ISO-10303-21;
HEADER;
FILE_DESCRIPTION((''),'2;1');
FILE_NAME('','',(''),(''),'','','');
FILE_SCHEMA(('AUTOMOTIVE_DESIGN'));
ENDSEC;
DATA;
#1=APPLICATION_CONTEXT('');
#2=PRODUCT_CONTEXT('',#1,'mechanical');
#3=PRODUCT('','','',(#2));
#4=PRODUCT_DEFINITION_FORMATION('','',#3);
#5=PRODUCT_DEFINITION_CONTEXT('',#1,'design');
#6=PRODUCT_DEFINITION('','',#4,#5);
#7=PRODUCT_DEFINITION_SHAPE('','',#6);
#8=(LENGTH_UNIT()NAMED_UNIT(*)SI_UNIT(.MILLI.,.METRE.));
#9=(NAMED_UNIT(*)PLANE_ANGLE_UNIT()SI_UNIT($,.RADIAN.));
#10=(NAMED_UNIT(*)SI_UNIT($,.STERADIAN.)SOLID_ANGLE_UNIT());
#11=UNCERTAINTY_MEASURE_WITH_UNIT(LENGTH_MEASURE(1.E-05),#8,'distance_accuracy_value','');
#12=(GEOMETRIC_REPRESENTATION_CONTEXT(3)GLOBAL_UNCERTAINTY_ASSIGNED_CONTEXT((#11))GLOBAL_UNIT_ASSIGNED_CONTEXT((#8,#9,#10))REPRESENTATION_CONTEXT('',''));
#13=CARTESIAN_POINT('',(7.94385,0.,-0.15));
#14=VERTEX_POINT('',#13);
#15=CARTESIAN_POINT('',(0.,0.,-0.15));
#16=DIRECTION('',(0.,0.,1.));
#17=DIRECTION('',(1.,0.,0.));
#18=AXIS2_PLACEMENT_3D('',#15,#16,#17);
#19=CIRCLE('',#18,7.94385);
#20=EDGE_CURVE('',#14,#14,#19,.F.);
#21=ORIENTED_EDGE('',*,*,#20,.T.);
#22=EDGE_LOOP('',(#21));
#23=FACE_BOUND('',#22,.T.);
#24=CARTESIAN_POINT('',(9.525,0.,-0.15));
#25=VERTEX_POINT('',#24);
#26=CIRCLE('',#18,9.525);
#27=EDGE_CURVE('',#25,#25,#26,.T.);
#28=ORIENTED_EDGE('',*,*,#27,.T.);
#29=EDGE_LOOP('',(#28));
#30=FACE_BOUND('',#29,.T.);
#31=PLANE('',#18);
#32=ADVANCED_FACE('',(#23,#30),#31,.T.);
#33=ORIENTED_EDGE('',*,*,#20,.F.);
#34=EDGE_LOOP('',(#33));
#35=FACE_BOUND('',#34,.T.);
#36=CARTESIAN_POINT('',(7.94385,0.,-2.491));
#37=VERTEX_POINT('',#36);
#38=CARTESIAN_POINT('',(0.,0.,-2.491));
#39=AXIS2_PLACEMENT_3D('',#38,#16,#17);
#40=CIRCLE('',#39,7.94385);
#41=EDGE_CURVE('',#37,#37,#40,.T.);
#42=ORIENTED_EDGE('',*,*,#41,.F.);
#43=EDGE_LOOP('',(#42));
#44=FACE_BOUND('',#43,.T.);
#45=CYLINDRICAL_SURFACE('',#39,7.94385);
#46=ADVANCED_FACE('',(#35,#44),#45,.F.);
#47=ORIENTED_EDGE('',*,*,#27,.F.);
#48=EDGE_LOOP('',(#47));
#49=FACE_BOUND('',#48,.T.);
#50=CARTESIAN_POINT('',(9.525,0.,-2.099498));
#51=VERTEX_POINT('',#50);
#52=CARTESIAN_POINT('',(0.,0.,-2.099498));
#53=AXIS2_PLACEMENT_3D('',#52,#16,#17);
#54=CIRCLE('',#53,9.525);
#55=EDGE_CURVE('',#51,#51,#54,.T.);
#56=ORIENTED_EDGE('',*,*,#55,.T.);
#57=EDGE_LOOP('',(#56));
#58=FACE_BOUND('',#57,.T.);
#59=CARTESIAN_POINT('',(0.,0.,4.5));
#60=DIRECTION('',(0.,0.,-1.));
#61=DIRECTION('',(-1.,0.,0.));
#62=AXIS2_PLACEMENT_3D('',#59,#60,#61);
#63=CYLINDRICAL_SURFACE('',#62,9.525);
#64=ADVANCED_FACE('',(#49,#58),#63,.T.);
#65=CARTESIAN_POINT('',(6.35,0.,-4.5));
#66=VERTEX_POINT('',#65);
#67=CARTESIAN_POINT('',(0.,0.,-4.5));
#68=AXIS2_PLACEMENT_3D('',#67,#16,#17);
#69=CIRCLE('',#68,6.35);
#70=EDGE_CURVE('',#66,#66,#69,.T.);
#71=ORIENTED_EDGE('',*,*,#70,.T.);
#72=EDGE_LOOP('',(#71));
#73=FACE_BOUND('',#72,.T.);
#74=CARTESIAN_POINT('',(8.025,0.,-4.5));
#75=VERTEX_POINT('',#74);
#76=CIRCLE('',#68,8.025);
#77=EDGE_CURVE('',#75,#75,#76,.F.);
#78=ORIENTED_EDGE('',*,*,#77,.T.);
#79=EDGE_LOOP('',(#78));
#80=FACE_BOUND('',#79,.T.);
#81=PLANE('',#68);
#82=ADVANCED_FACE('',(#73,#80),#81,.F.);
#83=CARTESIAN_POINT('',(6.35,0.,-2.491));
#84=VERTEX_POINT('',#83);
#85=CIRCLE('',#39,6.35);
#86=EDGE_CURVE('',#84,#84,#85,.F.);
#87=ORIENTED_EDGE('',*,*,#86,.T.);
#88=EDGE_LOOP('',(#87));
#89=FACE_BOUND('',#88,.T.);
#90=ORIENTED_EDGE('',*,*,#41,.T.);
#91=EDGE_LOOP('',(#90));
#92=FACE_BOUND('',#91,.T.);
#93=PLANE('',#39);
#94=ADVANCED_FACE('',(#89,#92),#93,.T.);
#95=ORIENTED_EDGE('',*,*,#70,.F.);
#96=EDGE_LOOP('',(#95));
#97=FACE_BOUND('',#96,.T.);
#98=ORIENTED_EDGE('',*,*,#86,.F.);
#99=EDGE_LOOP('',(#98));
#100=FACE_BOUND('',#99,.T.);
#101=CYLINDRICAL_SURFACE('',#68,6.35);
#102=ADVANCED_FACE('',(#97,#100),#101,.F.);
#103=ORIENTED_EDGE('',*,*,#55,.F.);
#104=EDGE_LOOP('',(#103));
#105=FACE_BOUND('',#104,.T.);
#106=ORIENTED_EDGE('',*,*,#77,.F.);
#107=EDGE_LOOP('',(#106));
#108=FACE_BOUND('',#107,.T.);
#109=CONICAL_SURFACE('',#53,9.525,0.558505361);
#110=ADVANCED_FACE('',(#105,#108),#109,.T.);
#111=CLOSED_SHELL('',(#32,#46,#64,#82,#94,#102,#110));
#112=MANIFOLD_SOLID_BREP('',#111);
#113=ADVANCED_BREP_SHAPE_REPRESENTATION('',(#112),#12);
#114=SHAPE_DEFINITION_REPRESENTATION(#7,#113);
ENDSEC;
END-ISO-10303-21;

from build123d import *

# Parameters (mm, degrees)
SKETCH1_R             = 9.525
BOSS_EXTRUDE1_DEPTH   = 4.5
SKETCH2_R             = 6.35
CUT_EXTRUDE1_DEPTH    = 10
CHAMFER1_SIZE         = 1.5
CHAMFER1_SIZE2        = 2.400501794
CHAMFER1_PART_2_SIZE  = 1.5
CHAMFER1_PART_2_SIZE2 = 2.400501794
SKETCH3_R             = 7.874
CUT_EXTRUDE2_DEPTH    = 2.011
SKETCH4_R             = 7.94385
CUT_EXTRUDE3_DEPTH    = 4.98
SKETCH5_R             = 24.237402282
CUT_EXTRUDE4_DEPTH    = 5.5
SKETCH6_R             = 11.614236141
CUT_EXTRUDE5_DEPTH    = 0.15


with BuildPart() as part:
    # Sketch1 → Boss-Extrude1 (new body, symmetric)
    with BuildSketch(Plane.XY):
        Circle(SKETCH1_R)
    extrude(amount=BOSS_EXTRUDE1_DEPTH, both=True)

    # Sketch2 → Cut-Extrude1 (cut, through all)
    with BuildSketch(Plane.XY.offset(4.5)):
        Circle(SKETCH2_R)
    extrude(amount=-CUT_EXTRUDE1_DEPTH, mode=Mode.SUBTRACT)

    # Chamfer1
    chamfer1_edges = [part.edges().sort_by_distance(p)[0] for p in [
        (-9.525, 0, -4.5),
    ]]
    chamfer1_side = [part.faces().sort_by_distance(p)[0] for p in [
        (-9.255592316, 0, -4.5),
    ]]
    chamfer(chamfer1_edges, length=CHAMFER1_SIZE, length2=CHAMFER1_SIZE2, reference=chamfer1_side[0])

    # Chamfer1 part 2
    chamfer1_part_2_edges = [part.edges().sort_by_distance(p)[0] for p in [
        (-9.525, 0, 4.5),
    ]]
    chamfer1_part_2_side = [part.faces().sort_by_distance(p)[0] for p in [
        (-9.255592316, 0, 4.5),
    ]]
    chamfer(chamfer1_part_2_edges, length=CHAMFER1_PART_2_SIZE, length2=CHAMFER1_PART_2_SIZE2, reference=chamfer1_part_2_side[0])

    # Sketch3 → Cut-Extrude2 (cut)
    with BuildSketch(Plane.XY.offset(4.5)):
        Circle(SKETCH3_R)
    extrude(amount=-CUT_EXTRUDE2_DEPTH, mode=Mode.SUBTRACT)

    # Sketch4 → Cut-Extrude3 (cut)
    with BuildSketch(Plane.XY.offset(2.489)):
        Circle(SKETCH4_R)
    extrude(amount=-CUT_EXTRUDE3_DEPTH, mode=Mode.SUBTRACT)

    # Sketch5 → Cut-Extrude4 (cut, through all)
    with BuildSketch(Plane.XY):
        Circle(SKETCH5_R)
    extrude(amount=CUT_EXTRUDE4_DEPTH, mode=Mode.SUBTRACT)

    # Sketch6 → Cut-Extrude5 (cut)
    with BuildSketch(Plane.XY):
        Circle(SKETCH6_R)
    extrude(amount=-CUT_EXTRUDE5_DEPTH, mode=Mode.SUBTRACT)


solid = part.part
